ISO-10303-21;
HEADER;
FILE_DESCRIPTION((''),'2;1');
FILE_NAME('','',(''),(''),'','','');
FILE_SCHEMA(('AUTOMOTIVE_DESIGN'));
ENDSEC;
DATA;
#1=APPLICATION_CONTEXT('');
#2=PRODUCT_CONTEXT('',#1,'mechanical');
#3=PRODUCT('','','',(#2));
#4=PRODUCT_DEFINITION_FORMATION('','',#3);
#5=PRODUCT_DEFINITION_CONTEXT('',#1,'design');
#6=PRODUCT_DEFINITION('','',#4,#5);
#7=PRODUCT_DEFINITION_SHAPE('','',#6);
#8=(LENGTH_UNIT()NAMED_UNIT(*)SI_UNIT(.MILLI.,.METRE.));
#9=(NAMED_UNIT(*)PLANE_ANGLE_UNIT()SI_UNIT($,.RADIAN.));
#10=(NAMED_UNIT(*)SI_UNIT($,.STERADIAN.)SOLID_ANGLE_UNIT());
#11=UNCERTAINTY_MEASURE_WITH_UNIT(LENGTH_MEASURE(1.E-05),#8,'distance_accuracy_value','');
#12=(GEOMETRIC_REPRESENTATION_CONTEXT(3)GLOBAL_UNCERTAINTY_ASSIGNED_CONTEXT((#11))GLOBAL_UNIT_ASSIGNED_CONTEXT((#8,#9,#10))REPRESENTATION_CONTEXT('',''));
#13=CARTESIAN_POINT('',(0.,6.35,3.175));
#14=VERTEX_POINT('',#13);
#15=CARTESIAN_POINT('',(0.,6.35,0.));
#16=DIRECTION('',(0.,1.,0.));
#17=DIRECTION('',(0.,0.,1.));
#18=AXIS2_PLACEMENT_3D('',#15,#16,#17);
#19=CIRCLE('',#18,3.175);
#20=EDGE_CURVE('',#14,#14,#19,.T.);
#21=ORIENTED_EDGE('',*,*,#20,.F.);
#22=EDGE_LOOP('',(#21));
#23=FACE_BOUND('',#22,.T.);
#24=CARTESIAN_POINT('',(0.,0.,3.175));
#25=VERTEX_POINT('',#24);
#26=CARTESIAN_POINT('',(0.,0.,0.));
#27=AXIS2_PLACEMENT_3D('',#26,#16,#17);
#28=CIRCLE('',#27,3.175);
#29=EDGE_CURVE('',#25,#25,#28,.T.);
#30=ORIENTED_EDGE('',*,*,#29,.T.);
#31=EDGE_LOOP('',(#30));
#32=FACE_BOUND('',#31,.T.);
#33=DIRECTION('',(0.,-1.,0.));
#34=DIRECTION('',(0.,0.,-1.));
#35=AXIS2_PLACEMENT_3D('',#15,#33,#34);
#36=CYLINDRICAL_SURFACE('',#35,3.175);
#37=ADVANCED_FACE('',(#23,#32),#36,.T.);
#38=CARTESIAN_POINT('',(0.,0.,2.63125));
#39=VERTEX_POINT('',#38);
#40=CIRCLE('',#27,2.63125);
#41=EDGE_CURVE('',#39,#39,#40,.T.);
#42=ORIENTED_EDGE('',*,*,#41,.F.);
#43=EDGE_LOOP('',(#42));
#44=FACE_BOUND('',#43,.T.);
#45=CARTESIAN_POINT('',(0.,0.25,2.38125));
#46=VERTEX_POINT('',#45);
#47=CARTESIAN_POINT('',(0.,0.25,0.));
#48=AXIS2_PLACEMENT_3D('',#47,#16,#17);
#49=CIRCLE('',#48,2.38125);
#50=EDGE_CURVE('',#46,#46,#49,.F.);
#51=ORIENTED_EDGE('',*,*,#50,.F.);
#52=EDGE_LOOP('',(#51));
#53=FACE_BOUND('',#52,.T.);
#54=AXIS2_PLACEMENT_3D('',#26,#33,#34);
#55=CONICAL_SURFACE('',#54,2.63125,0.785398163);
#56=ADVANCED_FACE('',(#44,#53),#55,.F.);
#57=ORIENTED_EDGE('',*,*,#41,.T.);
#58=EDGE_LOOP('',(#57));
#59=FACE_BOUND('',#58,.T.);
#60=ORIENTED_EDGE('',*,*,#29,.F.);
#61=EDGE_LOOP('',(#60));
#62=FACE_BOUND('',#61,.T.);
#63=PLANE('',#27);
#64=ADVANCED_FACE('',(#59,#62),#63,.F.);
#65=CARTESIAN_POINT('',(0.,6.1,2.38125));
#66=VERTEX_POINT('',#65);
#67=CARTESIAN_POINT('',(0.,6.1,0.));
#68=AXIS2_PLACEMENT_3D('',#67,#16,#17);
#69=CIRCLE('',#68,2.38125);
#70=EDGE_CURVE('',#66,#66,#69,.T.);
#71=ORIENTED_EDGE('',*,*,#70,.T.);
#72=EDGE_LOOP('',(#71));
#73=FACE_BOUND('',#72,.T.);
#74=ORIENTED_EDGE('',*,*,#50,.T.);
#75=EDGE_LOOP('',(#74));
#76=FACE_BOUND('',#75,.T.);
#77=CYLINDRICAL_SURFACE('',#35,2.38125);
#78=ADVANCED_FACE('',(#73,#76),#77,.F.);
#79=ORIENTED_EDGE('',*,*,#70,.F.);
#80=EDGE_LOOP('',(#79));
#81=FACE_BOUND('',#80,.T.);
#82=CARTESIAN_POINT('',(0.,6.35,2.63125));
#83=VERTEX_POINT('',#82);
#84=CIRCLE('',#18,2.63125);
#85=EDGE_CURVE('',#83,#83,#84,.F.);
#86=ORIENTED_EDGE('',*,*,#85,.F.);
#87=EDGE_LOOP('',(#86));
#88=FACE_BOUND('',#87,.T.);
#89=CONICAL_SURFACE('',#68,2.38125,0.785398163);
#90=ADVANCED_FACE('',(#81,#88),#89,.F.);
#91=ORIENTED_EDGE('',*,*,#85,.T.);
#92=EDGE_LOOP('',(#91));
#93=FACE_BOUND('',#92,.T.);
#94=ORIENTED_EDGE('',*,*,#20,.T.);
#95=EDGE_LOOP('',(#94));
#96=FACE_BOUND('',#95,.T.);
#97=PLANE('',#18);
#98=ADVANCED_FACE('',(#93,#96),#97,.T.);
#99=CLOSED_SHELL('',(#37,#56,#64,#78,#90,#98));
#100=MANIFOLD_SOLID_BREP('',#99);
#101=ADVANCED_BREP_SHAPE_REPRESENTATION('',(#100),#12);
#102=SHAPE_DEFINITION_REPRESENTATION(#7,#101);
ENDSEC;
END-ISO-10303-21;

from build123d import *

# Parameters (mm, degrees)
SKETCH1_R           = 3.175
SKETCH1_R_2         = 2.38125
BOSS_EXTRUDE1_DEPTH = 6.35
CHAMFER1_SIZE       = 0.25


with BuildPart() as part:
    # Sketch1 → Boss-Extrude1 (new body)
    with BuildSketch(Plane(origin=(0, 0, 0), x_dir=(1, 0, 0), z_dir=(0, 1, 0))):
        Circle(SKETCH1_R)
        Circle(SKETCH1_R_2, mode=Mode.SUBTRACT)
    extrude(amount=BOSS_EXTRUDE1_DEPTH)

    # Chamfer1
    chamfer1_edges = [part.edges().sort_by_distance(p)[0] for p in [
        (-2.38125, 0, 0),
        (-2.38125, 6.35, 0),
    ]]
    chamfer(chamfer1_edges, length=CHAMFER1_SIZE)


solid = part.part
